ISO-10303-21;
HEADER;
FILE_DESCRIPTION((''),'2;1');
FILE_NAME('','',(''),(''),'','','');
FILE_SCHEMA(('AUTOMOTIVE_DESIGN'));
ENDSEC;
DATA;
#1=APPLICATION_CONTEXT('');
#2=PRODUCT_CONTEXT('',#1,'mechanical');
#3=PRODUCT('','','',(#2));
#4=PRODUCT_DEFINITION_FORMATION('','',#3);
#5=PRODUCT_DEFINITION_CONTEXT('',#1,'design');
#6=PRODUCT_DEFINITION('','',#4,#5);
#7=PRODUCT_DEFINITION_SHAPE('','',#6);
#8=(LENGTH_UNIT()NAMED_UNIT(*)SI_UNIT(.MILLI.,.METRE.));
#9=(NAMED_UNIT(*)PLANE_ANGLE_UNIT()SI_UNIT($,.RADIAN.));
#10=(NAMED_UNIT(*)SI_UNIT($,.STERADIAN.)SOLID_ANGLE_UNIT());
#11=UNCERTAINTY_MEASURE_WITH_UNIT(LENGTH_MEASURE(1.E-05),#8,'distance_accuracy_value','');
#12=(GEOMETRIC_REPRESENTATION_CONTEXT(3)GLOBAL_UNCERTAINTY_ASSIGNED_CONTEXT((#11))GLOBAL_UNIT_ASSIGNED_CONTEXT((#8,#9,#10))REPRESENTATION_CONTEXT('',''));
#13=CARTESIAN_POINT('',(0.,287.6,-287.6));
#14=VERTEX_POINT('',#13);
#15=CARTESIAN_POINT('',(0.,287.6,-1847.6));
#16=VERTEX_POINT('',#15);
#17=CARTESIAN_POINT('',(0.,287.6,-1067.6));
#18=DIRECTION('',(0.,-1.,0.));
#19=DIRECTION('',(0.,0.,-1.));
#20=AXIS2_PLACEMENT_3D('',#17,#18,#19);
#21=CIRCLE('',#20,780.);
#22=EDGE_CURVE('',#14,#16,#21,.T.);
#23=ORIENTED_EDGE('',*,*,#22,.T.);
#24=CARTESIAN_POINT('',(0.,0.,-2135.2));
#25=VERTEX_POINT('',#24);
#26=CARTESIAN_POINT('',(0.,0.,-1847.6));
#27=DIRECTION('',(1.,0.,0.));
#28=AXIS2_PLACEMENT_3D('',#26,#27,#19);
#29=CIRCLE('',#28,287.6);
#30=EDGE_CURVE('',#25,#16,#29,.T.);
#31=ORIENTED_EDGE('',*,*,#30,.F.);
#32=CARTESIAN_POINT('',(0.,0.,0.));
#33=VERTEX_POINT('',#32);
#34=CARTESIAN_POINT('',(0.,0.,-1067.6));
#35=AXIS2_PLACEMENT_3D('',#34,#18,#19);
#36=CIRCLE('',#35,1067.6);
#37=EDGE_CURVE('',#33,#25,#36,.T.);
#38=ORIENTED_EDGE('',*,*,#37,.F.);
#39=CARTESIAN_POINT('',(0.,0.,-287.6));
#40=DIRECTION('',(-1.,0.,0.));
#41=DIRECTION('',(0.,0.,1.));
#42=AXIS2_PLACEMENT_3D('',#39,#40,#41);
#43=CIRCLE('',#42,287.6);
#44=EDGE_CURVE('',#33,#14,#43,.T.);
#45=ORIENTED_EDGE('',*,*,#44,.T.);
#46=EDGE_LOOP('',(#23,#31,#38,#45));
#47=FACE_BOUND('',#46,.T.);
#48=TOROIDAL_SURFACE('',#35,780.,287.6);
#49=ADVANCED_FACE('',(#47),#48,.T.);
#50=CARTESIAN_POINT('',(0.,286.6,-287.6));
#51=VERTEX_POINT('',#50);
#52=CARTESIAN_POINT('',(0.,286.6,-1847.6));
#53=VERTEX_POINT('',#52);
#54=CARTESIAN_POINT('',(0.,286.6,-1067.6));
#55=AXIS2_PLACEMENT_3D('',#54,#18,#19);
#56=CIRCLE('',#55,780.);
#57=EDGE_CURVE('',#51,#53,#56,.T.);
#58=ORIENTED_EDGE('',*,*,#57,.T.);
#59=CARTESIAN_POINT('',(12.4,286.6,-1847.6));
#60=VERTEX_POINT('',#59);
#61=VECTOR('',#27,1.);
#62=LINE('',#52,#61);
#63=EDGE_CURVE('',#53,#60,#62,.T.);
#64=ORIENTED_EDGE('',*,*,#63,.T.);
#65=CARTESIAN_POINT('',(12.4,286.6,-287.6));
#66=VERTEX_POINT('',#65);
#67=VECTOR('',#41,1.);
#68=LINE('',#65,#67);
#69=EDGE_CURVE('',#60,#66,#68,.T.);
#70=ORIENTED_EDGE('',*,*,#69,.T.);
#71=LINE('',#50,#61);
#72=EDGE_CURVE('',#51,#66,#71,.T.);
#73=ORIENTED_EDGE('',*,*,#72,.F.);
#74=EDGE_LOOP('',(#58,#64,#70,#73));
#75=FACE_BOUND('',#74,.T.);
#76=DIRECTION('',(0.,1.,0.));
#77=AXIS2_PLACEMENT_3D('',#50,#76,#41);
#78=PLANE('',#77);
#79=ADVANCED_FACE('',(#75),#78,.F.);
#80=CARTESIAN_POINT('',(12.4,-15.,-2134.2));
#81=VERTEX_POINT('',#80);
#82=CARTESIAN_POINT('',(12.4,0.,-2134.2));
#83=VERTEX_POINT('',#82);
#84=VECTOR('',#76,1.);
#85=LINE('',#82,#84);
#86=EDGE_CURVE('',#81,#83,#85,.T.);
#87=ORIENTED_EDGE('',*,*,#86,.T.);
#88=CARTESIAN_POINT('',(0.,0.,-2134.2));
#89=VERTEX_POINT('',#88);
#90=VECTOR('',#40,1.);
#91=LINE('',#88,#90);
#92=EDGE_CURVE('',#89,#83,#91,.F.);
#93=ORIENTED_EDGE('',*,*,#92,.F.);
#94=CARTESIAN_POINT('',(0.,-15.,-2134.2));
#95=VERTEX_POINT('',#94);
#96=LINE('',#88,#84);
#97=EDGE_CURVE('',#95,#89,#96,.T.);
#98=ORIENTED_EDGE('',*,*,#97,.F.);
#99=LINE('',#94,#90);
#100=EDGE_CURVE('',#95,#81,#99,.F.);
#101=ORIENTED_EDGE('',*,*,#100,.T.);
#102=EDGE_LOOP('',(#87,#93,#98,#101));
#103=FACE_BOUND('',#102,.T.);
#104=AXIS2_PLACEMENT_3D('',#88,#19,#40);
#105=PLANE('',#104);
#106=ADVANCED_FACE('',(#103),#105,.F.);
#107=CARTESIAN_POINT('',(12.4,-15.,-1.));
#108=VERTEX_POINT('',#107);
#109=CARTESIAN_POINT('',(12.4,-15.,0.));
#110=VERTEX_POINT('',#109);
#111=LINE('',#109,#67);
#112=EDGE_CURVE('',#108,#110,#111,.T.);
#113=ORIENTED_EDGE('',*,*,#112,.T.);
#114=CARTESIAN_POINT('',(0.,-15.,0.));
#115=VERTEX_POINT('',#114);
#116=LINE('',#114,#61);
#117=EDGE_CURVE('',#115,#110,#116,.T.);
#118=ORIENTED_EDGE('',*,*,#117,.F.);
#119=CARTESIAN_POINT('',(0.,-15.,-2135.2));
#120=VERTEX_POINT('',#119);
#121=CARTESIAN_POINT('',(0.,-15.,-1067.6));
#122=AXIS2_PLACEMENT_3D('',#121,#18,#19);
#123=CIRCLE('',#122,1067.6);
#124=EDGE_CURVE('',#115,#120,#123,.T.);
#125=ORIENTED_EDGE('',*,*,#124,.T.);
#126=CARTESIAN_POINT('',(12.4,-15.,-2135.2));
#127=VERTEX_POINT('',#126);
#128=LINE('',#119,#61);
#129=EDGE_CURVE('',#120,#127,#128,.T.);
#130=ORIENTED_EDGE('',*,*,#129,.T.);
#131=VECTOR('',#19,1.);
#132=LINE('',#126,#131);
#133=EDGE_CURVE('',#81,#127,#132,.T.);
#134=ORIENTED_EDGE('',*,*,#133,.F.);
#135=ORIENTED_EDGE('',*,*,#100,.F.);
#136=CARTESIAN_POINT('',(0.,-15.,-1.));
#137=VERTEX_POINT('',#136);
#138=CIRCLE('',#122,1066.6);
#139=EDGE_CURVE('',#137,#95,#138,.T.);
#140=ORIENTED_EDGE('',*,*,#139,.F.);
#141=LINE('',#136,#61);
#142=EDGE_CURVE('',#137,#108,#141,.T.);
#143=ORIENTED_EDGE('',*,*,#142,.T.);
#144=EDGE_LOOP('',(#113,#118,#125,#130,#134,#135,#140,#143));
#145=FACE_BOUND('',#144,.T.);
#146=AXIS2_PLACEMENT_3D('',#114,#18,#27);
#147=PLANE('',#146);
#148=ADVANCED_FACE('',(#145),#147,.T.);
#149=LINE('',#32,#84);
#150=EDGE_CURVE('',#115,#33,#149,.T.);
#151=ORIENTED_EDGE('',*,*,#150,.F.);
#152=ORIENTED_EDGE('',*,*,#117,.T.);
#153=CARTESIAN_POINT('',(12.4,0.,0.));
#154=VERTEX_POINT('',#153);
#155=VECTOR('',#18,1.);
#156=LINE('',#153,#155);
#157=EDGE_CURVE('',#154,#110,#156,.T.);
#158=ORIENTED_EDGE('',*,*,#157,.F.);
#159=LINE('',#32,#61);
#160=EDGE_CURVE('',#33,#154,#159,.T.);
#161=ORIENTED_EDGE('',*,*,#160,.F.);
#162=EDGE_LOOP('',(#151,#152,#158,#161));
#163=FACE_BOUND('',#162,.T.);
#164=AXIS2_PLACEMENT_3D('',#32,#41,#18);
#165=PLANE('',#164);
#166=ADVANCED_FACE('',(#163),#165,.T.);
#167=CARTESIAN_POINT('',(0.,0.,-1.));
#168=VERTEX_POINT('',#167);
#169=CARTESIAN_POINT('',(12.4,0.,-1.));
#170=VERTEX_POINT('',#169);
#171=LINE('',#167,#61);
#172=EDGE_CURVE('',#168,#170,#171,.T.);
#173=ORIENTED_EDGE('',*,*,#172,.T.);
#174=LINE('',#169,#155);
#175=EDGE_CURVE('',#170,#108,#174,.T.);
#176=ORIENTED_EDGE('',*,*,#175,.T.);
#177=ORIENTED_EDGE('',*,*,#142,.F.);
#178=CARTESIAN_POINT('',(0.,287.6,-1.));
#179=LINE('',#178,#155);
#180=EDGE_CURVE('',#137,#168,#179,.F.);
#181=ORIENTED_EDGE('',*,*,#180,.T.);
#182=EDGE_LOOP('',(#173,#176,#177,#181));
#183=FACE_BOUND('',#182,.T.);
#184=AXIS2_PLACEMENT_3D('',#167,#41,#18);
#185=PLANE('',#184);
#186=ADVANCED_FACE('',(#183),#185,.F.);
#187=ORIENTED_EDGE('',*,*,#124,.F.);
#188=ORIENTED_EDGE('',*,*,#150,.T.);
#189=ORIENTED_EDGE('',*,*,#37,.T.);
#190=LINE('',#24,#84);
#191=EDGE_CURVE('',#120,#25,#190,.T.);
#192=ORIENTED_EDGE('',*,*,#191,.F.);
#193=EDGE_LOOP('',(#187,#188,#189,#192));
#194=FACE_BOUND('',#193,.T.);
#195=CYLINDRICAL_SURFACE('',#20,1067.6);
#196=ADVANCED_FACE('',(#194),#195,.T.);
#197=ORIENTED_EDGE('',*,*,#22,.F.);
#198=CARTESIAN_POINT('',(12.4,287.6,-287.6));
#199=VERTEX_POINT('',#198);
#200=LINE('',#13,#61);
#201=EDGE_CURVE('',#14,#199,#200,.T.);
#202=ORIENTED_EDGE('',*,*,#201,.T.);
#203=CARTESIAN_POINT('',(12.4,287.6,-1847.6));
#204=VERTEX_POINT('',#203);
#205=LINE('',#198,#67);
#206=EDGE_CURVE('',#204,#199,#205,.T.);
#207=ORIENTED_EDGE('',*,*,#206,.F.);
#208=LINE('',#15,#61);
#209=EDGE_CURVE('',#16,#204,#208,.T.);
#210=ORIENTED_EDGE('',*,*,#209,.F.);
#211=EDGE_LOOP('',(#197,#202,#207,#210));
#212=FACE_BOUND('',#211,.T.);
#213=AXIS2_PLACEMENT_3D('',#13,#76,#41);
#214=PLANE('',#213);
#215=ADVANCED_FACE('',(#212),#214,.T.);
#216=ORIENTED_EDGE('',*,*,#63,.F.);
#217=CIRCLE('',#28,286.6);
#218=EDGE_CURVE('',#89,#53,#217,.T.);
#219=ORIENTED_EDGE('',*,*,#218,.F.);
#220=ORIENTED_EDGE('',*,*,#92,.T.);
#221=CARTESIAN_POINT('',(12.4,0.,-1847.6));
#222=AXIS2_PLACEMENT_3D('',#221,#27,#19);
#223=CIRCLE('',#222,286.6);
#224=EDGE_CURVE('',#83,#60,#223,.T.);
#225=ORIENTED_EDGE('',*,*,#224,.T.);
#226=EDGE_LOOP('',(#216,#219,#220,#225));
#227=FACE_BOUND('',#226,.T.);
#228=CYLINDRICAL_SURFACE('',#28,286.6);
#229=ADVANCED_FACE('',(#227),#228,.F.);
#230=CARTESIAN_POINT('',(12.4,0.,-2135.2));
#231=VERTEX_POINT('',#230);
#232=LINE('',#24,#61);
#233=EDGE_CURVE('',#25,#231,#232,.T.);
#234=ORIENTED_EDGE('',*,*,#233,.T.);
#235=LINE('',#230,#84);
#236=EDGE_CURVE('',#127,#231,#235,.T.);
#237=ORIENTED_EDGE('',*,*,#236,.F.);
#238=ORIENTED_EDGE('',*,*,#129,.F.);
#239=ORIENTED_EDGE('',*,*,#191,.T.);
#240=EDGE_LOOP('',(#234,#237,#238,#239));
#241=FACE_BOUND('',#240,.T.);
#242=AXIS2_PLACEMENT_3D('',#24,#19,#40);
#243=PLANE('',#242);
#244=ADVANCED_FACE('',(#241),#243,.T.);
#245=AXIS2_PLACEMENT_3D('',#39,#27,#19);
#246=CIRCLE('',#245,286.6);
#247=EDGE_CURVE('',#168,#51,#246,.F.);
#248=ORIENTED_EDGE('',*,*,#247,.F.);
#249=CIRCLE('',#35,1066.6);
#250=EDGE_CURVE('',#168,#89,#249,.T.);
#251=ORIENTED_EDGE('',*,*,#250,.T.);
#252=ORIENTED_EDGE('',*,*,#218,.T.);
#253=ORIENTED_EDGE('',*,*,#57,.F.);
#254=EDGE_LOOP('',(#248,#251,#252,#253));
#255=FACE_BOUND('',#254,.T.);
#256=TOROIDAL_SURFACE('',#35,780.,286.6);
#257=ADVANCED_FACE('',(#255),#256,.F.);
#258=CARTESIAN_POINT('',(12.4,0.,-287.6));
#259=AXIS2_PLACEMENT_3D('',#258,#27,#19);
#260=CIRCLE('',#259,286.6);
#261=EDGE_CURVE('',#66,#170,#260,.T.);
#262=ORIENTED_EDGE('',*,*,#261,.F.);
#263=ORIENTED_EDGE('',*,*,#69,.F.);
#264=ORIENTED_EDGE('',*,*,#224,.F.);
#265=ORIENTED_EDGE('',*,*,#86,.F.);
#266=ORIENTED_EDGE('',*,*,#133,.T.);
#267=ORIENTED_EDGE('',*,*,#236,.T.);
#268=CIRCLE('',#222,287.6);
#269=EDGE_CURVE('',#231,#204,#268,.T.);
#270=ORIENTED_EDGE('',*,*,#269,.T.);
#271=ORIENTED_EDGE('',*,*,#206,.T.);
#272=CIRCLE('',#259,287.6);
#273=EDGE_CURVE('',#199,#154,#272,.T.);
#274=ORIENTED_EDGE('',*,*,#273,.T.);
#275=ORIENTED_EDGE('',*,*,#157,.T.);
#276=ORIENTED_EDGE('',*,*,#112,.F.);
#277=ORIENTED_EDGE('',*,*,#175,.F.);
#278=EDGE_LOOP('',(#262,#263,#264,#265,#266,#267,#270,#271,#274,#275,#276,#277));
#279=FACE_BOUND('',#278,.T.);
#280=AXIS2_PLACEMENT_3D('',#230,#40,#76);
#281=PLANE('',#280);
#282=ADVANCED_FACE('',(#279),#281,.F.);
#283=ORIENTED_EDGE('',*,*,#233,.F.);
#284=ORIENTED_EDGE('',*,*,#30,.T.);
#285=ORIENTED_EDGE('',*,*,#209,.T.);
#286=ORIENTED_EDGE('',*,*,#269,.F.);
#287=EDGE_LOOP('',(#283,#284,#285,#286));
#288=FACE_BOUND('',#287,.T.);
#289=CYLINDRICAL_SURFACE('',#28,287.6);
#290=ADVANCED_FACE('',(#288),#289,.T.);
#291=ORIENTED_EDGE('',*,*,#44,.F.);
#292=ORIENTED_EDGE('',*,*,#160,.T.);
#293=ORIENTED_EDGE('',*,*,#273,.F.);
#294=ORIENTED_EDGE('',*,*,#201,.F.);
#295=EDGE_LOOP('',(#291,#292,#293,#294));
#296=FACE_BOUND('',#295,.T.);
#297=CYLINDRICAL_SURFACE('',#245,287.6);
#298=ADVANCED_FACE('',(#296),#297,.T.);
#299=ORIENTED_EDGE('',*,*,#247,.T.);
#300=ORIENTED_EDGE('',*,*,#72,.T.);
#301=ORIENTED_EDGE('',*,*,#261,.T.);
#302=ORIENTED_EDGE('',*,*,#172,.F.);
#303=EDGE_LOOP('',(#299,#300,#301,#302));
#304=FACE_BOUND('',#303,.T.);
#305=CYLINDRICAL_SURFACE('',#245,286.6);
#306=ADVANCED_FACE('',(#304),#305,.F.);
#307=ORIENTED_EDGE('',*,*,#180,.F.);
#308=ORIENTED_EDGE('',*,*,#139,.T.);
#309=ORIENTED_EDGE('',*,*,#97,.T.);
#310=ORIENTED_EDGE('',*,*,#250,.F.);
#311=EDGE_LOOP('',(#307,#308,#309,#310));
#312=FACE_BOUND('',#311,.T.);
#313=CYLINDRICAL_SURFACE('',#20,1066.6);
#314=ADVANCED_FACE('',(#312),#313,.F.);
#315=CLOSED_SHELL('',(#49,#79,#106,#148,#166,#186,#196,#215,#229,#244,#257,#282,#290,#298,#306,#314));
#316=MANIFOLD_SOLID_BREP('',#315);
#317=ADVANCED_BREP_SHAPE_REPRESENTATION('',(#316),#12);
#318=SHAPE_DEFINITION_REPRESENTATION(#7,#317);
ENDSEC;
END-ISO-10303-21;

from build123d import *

# Parameters (mm, degrees)
SURFACE_REVOLVE1_2_ANGLE = 180
SURFACE_EXTRUDE1_3_DEPTH = 12.4
THICKEN1_T2              = 1


with BuildPart() as body_1:
    # Surface-Revolve1: a surface, the sketch's curves turned about an axis by 180 degrees
    with BuildLine(Plane(origin=(0, 0, 0), x_dir=(0, 0, -1), z_dir=(1, 0, 0)), mode=Mode.PRIVATE) as surface_revolve1_2_path:
        Line((1067.6, 287.6), (287.6, 287.6))
        ThreePointArc((287.6, 287.6), (84.236089731, 203.363910269), (0, 0))
        Line((0, 0), (0, -15))
    surface_revolve1_2 = Shell.revolve(surface_revolve1_2_path.wire(), SURFACE_REVOLVE1_2_ANGLE, Axis((0, 287.6, -1067.6), (0, -1, 0)))
    # Surface-Extrude1: a surface, the sketch's curves swept straight by 12.4 mm
    with BuildLine(Plane(origin=(0, 0, 0), x_dir=(0, 0, -1), z_dir=(1, 0, 0)), mode=Mode.PRIVATE) as surface_extrude1_3_path:
        Line((0, -15), (0, 0))
        ThreePointArc((0, 0), (84.236089731, 203.363910269), (287.6, 287.6))
        Line((287.6, 287.6), (1847.6, 287.6))
        ThreePointArc((1847.6, 287.6), (2050.963910269, 203.363910269), (2135.2, 0))
        Line((2135.2, 0), (2135.2, -15))
    surface_extrude1_3 = Shell.extrude(surface_extrude1_3_path.wire(), (1 * SURFACE_EXTRUDE1_3_DEPTH, 0 * SURFACE_EXTRUDE1_3_DEPTH, 0 * SURFACE_EXTRUDE1_3_DEPTH))
    # Surface-Knit1: the surfaces knitted into one
    surface_knit1_1 = Shell(Face.sew_faces(surface_revolve1_2.faces() + surface_extrude1_3.faces())[0])
    add(Solid.thicken(surface_knit1_1, -THICKEN1_T2))


solid = body_1.part
